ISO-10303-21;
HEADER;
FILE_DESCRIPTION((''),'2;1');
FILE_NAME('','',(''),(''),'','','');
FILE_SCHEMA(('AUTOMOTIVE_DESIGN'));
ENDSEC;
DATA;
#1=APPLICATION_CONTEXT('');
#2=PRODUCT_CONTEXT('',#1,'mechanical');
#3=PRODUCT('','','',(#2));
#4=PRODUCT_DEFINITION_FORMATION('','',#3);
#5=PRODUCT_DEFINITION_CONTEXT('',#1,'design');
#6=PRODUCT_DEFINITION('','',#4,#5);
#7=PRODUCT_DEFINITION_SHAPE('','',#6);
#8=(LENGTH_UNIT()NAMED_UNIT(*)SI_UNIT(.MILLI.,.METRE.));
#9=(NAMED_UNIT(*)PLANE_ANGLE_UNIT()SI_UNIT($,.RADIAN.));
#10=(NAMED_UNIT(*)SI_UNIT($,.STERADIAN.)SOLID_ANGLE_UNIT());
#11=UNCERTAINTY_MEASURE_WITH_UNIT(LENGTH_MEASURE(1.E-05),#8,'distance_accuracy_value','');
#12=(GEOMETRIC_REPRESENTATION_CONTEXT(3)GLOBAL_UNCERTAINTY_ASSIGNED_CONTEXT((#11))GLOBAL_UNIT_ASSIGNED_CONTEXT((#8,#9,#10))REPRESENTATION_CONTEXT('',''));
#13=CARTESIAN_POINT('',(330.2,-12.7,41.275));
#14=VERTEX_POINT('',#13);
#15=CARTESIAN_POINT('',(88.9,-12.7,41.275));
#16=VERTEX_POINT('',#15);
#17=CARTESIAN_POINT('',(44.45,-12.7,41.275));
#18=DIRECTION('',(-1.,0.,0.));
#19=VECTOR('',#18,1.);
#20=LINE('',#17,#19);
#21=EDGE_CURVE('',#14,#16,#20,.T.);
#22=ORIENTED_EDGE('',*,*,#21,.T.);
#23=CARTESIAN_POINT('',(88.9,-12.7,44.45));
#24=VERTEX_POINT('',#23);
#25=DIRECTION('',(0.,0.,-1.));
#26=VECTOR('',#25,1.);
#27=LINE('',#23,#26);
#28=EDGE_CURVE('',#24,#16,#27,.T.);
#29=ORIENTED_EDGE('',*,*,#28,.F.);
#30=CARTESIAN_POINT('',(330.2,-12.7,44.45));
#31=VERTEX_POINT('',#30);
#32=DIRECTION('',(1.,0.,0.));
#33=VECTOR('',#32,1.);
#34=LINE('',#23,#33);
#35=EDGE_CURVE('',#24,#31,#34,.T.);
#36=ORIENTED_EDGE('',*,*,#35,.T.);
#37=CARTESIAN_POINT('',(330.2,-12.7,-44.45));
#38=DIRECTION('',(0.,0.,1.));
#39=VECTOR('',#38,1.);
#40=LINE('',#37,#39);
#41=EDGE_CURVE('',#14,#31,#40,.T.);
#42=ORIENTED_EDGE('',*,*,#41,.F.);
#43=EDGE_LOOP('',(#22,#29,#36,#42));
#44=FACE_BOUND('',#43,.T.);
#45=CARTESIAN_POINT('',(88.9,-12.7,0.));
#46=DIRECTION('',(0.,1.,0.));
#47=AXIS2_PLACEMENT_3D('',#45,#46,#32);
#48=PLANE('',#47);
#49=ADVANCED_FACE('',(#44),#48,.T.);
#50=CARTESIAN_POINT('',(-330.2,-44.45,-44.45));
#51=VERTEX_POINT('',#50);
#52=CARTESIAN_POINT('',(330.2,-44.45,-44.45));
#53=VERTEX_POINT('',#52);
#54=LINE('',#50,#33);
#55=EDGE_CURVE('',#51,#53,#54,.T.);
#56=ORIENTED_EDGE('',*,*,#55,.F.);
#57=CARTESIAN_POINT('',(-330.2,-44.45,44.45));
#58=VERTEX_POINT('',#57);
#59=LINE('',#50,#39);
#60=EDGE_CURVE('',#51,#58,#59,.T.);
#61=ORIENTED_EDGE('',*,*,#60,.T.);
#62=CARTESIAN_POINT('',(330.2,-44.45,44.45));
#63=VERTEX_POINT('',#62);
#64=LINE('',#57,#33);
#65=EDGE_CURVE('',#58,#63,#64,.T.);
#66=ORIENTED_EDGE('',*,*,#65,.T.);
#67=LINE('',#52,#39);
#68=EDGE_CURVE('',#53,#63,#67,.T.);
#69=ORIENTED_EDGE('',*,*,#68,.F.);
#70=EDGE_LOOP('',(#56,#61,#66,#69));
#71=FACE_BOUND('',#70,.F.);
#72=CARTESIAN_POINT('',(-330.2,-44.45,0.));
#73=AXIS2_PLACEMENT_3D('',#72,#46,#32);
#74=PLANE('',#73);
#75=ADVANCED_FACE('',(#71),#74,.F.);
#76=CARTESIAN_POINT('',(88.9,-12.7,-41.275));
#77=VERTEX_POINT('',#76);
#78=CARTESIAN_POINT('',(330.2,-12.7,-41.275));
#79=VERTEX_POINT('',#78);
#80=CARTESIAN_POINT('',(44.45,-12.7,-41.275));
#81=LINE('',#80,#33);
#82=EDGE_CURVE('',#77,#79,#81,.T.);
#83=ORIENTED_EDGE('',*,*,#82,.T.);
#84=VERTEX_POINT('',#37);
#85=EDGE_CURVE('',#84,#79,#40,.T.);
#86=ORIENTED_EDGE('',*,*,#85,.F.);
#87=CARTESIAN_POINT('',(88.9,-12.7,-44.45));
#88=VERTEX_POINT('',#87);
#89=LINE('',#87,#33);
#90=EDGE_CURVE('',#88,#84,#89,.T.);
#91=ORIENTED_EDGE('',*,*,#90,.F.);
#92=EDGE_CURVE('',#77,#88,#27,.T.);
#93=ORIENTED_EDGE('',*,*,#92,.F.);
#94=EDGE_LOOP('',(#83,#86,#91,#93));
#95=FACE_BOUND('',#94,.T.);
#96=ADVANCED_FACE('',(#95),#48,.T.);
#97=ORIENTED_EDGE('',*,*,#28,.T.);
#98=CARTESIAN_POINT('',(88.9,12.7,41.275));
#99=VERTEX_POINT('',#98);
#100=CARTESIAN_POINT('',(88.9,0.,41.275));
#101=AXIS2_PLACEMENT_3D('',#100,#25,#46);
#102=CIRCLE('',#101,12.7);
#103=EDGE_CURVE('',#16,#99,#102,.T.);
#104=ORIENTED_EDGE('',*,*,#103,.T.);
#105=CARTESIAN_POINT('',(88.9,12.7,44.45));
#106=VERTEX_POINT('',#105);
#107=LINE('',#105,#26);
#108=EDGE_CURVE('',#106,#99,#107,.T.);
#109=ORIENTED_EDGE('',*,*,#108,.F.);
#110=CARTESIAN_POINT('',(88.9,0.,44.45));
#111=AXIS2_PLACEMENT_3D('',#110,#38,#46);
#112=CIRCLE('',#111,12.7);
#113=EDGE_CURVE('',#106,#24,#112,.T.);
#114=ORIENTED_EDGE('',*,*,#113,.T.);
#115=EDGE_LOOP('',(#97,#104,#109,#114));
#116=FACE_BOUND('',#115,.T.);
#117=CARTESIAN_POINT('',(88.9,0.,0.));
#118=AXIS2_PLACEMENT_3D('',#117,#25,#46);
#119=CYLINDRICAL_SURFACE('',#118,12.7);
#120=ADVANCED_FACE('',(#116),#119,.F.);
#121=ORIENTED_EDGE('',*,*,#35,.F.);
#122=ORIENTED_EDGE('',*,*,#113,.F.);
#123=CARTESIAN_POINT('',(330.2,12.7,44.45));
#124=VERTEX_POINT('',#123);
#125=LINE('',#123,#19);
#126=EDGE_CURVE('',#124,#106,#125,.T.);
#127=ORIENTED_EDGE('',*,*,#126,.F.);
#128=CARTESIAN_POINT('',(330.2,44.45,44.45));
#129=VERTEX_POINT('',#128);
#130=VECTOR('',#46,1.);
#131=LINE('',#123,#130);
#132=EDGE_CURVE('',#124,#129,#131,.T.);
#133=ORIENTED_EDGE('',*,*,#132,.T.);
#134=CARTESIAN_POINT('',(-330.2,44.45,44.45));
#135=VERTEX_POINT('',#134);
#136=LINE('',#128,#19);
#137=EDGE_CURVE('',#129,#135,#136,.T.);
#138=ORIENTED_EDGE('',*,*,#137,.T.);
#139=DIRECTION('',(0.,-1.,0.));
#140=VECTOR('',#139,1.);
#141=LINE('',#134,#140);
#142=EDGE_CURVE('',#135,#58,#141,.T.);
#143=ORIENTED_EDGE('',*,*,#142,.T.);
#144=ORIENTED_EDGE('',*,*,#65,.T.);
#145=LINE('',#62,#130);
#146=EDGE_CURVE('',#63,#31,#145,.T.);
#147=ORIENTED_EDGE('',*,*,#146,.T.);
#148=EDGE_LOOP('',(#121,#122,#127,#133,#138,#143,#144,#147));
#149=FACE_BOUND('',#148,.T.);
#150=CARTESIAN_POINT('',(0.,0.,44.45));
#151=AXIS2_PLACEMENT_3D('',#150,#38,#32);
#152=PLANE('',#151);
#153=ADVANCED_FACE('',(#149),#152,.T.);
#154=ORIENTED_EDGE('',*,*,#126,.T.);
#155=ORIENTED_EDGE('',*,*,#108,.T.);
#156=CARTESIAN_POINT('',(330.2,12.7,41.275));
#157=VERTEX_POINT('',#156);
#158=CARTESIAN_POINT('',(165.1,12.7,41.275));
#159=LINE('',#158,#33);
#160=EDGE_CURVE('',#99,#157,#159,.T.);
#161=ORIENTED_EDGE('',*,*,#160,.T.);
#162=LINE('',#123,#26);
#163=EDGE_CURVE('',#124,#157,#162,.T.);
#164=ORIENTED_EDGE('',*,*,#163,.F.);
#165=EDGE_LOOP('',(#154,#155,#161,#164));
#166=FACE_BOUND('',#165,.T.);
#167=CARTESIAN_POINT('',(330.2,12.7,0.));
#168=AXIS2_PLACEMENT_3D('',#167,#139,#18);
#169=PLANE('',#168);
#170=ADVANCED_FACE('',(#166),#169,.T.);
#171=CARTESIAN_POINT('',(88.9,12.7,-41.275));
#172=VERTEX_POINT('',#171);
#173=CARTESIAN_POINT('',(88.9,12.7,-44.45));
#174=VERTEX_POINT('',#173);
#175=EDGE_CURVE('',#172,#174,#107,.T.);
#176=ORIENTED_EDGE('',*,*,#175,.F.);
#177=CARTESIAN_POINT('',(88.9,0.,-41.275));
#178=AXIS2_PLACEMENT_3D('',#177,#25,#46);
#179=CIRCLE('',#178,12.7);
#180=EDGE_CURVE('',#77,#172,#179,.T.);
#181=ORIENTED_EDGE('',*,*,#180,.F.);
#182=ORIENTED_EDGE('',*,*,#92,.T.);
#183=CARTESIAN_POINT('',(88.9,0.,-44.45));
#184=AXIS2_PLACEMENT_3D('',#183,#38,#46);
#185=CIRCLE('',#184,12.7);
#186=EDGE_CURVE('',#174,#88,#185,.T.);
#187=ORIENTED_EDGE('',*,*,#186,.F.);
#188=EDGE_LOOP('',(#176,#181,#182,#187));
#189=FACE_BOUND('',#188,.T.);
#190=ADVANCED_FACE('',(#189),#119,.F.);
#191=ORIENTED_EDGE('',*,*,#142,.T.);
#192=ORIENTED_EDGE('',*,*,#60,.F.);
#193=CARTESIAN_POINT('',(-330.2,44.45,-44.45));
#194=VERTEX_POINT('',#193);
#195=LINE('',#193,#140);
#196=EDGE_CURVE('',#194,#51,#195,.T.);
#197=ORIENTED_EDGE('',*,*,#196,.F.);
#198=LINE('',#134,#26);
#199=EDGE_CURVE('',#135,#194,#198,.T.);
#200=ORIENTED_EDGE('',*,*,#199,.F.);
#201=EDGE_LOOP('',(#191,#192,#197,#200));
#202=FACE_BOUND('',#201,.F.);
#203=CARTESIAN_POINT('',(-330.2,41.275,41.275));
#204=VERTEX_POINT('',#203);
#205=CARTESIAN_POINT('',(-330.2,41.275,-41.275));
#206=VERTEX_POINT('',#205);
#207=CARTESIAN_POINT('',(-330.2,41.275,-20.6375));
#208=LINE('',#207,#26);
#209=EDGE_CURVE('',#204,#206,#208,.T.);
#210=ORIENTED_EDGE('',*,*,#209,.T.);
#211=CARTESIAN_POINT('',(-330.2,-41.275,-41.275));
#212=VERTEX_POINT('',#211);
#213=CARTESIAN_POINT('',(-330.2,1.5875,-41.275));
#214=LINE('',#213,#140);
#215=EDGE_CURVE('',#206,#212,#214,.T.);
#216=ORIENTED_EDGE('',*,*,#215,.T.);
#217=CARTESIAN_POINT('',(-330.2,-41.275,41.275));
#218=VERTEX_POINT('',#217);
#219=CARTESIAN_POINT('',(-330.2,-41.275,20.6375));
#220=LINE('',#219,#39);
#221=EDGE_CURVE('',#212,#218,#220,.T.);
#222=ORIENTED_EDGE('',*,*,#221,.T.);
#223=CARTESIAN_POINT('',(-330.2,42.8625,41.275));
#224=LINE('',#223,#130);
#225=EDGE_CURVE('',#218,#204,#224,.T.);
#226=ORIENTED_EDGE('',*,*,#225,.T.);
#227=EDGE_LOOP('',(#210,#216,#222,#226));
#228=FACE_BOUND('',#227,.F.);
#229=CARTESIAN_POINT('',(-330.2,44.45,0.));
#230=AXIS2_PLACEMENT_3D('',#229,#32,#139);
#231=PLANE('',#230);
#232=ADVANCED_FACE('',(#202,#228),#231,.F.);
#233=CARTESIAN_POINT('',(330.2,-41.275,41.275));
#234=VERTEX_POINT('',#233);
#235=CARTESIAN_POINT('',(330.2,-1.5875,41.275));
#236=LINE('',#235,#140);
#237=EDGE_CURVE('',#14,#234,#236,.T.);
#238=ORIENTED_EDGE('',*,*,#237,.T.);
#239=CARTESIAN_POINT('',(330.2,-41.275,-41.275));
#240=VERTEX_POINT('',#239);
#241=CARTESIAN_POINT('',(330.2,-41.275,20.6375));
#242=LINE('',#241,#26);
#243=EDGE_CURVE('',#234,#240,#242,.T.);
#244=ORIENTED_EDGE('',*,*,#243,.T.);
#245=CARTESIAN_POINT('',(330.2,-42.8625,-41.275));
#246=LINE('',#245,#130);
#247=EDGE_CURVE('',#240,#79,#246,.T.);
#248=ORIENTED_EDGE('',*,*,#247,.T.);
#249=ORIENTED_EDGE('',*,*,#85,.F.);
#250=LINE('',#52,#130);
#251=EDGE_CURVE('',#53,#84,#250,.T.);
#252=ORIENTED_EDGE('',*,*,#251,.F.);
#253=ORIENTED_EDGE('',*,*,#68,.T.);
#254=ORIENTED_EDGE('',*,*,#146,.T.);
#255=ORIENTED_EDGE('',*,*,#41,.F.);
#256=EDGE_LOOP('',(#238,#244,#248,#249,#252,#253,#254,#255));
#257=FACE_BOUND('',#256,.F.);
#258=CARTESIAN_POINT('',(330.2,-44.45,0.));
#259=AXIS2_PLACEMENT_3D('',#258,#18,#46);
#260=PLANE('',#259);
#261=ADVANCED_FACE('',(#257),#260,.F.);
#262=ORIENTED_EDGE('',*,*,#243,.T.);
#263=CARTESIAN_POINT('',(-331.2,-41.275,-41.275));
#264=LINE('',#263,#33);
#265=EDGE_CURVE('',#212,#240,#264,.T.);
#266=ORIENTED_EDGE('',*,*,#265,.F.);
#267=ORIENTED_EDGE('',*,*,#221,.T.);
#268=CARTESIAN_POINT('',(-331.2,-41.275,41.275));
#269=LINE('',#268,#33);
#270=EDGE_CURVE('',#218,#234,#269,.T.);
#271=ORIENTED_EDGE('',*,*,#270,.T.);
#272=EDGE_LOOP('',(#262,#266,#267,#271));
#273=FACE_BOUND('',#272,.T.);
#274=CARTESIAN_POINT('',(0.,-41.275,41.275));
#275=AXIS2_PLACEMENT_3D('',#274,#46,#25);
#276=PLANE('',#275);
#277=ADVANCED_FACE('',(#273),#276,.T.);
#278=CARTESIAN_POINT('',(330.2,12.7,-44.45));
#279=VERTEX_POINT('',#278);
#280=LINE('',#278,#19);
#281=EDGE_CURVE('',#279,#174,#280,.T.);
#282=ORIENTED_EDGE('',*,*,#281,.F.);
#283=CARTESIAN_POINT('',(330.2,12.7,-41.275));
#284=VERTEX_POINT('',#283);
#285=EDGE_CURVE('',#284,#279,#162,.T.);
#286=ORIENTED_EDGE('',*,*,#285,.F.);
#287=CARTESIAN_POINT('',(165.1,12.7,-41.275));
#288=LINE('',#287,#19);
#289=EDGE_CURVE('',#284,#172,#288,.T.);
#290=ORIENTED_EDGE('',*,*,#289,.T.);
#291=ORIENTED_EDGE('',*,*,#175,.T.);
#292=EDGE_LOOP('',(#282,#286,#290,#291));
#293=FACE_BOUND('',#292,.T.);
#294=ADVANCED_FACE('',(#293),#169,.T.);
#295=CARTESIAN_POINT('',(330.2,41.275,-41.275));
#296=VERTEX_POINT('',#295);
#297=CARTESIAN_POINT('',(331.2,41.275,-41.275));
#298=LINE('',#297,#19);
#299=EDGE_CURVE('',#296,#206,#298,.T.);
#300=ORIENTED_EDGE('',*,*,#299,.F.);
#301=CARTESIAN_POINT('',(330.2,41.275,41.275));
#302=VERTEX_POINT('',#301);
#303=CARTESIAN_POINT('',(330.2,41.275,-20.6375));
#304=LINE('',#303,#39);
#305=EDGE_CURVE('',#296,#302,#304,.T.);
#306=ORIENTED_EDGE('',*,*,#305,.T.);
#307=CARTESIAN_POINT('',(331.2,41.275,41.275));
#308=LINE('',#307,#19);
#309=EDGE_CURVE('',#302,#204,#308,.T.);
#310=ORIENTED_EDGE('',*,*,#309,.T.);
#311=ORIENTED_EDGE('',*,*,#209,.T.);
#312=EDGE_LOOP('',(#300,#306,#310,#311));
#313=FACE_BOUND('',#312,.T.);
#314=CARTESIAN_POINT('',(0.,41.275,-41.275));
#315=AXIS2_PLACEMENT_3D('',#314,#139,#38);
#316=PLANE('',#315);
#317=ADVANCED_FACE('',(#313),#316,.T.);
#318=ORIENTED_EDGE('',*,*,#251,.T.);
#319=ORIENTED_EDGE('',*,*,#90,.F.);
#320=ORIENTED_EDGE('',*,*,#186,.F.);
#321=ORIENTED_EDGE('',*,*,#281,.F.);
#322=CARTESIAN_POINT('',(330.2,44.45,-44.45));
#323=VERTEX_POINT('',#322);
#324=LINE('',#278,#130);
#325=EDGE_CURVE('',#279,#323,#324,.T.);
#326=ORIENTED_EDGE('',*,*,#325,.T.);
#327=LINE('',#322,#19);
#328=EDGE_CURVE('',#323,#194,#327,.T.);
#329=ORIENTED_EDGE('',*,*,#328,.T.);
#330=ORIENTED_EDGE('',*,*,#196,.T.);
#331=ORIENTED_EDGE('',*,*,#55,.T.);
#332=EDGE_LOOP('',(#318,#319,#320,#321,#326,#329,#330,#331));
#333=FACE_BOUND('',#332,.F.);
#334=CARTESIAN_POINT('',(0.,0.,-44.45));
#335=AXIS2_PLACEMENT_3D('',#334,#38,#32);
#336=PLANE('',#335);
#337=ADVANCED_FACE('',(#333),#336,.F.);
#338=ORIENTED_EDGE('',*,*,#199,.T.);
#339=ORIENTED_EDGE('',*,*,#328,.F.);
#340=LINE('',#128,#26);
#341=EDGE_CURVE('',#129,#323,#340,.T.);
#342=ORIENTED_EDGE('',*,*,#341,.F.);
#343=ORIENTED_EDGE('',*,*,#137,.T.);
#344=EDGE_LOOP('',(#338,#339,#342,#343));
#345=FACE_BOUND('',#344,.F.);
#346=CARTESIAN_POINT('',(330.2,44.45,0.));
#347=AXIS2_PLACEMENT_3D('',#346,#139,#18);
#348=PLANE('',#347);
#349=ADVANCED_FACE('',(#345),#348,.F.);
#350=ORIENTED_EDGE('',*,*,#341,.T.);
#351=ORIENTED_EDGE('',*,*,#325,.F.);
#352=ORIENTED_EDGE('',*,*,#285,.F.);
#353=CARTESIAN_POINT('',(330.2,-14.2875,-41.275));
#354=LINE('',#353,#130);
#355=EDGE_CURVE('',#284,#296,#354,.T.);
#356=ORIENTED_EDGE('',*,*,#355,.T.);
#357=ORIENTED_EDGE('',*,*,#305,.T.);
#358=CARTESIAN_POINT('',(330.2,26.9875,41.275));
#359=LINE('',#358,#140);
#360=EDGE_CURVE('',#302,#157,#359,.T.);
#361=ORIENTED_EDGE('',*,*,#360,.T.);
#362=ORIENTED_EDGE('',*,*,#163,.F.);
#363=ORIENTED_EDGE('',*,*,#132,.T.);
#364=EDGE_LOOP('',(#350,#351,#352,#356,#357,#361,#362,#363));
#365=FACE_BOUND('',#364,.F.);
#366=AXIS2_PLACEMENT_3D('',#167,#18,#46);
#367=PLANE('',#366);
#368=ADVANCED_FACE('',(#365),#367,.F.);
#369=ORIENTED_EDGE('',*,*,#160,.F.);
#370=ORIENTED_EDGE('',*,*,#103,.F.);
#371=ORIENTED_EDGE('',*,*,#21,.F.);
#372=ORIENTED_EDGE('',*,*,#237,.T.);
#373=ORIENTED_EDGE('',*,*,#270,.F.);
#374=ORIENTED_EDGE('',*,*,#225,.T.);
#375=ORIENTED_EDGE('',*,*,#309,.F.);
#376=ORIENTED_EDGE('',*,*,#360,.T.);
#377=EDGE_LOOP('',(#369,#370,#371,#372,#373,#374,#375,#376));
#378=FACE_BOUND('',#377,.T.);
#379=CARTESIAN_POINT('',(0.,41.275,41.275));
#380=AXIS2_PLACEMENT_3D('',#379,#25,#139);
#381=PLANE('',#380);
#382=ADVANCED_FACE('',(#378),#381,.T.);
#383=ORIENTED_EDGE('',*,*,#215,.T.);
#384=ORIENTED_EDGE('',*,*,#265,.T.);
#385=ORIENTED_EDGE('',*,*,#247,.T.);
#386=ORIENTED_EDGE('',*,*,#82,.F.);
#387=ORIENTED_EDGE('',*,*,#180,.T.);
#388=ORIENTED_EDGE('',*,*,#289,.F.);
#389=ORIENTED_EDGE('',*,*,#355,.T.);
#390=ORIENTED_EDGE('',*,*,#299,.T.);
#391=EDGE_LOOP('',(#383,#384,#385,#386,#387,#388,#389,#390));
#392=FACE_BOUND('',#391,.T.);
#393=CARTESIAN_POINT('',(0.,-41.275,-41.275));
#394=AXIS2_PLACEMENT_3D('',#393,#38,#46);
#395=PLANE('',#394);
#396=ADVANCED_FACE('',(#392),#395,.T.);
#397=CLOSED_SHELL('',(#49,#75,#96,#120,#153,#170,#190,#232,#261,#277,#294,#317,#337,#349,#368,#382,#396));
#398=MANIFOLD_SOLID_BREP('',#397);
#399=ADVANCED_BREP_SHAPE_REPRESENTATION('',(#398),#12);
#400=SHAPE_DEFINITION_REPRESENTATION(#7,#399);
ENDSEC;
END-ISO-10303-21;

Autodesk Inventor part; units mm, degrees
ref_plane "YZ Plane" through (0, 0, 0) normal (1, 0, 0) x (0, 1, 0)
ref_plane "XZ Plane" through (0, 0, 0) normal (0, 1, 0) x (-1, 0, 0)
ref_plane "XY Plane" through (0, 0, 0) normal (0, 0, 1) x (1, 0, 0)
sketch "Sketch1" plane through (0, 0, 0) normal (0, 0, 1) x (1, 0, 0)
  line L0 (-330.2, -44.45) -> (330.2, -44.45)
  line L1 (330.2, 44.45) -> (-330.2, 44.45)
  line L2 (-330.2, 44.45) -> (-330.2, -44.45)
  line L3 (-330.2, -44.45) -> (330.2, 44.45) construction
  line L4 (330.2, -44.45) -> (-330.2, 44.45) construction
  line L5 (88.9, 0) -> (571.5, 0) construction
  line L6 (88.9, -12.7) -> (330.2, -12.7)
  line L7 (330.2, 12.7) -> (88.9, 12.7)
  arc A0 (88.9, 12.7) -> (88.9, -12.7) centre (88.9, 0) ccw
  line L8 (330.2, -44.45) -> (330.2, -12.7)
  line L9 (330.2, 12.7) -> (330.2, 44.45)
  point P0 (0, 0)
  point P1 (330.2, 0)
  point P2 (76.2, 0)
  dimension "d0" = 88.9
  dimension "d1" = 660.4
  dimension "d5" = 406.4
  dimension "d7" = 25.4
extrude "Extrusion2" add sketch "Sketch1" along normal mid plane 88.9
sketch "Sketch2" plane through (0, 0, 0) normal (1, 0, 0) x (0, 1, 0)
  line L0 (-41.275, 41.275) -> (-41.275, -41.275)
  line L1 (-41.275, -41.275) -> (41.275, -41.275)
  line L2 (41.275, -41.275) -> (41.275, 41.275)
  line L3 (41.275, 41.275) -> (-41.275, 41.275)
  line L4 (-41.275, 41.275) -> (41.275, -41.275) construction
  line L5 (-41.275, -41.275) -> (41.275, 41.275) construction
  line L6 (44.45, -44.45) -> (44.45, 44.45) projected
  line L7 (44.45, 44.45) -> (-44.45, 44.45) projected
  point P0 (0, 0)
  dimension "d10" = 3.175
  dimension "d11" = 3.175
extrude "Extrusion3" cut sketch "Sketch2" along normal through all both and the other way through all
properties part number "CatapultArmExtensionForRear" material "Aluminum 6061"
